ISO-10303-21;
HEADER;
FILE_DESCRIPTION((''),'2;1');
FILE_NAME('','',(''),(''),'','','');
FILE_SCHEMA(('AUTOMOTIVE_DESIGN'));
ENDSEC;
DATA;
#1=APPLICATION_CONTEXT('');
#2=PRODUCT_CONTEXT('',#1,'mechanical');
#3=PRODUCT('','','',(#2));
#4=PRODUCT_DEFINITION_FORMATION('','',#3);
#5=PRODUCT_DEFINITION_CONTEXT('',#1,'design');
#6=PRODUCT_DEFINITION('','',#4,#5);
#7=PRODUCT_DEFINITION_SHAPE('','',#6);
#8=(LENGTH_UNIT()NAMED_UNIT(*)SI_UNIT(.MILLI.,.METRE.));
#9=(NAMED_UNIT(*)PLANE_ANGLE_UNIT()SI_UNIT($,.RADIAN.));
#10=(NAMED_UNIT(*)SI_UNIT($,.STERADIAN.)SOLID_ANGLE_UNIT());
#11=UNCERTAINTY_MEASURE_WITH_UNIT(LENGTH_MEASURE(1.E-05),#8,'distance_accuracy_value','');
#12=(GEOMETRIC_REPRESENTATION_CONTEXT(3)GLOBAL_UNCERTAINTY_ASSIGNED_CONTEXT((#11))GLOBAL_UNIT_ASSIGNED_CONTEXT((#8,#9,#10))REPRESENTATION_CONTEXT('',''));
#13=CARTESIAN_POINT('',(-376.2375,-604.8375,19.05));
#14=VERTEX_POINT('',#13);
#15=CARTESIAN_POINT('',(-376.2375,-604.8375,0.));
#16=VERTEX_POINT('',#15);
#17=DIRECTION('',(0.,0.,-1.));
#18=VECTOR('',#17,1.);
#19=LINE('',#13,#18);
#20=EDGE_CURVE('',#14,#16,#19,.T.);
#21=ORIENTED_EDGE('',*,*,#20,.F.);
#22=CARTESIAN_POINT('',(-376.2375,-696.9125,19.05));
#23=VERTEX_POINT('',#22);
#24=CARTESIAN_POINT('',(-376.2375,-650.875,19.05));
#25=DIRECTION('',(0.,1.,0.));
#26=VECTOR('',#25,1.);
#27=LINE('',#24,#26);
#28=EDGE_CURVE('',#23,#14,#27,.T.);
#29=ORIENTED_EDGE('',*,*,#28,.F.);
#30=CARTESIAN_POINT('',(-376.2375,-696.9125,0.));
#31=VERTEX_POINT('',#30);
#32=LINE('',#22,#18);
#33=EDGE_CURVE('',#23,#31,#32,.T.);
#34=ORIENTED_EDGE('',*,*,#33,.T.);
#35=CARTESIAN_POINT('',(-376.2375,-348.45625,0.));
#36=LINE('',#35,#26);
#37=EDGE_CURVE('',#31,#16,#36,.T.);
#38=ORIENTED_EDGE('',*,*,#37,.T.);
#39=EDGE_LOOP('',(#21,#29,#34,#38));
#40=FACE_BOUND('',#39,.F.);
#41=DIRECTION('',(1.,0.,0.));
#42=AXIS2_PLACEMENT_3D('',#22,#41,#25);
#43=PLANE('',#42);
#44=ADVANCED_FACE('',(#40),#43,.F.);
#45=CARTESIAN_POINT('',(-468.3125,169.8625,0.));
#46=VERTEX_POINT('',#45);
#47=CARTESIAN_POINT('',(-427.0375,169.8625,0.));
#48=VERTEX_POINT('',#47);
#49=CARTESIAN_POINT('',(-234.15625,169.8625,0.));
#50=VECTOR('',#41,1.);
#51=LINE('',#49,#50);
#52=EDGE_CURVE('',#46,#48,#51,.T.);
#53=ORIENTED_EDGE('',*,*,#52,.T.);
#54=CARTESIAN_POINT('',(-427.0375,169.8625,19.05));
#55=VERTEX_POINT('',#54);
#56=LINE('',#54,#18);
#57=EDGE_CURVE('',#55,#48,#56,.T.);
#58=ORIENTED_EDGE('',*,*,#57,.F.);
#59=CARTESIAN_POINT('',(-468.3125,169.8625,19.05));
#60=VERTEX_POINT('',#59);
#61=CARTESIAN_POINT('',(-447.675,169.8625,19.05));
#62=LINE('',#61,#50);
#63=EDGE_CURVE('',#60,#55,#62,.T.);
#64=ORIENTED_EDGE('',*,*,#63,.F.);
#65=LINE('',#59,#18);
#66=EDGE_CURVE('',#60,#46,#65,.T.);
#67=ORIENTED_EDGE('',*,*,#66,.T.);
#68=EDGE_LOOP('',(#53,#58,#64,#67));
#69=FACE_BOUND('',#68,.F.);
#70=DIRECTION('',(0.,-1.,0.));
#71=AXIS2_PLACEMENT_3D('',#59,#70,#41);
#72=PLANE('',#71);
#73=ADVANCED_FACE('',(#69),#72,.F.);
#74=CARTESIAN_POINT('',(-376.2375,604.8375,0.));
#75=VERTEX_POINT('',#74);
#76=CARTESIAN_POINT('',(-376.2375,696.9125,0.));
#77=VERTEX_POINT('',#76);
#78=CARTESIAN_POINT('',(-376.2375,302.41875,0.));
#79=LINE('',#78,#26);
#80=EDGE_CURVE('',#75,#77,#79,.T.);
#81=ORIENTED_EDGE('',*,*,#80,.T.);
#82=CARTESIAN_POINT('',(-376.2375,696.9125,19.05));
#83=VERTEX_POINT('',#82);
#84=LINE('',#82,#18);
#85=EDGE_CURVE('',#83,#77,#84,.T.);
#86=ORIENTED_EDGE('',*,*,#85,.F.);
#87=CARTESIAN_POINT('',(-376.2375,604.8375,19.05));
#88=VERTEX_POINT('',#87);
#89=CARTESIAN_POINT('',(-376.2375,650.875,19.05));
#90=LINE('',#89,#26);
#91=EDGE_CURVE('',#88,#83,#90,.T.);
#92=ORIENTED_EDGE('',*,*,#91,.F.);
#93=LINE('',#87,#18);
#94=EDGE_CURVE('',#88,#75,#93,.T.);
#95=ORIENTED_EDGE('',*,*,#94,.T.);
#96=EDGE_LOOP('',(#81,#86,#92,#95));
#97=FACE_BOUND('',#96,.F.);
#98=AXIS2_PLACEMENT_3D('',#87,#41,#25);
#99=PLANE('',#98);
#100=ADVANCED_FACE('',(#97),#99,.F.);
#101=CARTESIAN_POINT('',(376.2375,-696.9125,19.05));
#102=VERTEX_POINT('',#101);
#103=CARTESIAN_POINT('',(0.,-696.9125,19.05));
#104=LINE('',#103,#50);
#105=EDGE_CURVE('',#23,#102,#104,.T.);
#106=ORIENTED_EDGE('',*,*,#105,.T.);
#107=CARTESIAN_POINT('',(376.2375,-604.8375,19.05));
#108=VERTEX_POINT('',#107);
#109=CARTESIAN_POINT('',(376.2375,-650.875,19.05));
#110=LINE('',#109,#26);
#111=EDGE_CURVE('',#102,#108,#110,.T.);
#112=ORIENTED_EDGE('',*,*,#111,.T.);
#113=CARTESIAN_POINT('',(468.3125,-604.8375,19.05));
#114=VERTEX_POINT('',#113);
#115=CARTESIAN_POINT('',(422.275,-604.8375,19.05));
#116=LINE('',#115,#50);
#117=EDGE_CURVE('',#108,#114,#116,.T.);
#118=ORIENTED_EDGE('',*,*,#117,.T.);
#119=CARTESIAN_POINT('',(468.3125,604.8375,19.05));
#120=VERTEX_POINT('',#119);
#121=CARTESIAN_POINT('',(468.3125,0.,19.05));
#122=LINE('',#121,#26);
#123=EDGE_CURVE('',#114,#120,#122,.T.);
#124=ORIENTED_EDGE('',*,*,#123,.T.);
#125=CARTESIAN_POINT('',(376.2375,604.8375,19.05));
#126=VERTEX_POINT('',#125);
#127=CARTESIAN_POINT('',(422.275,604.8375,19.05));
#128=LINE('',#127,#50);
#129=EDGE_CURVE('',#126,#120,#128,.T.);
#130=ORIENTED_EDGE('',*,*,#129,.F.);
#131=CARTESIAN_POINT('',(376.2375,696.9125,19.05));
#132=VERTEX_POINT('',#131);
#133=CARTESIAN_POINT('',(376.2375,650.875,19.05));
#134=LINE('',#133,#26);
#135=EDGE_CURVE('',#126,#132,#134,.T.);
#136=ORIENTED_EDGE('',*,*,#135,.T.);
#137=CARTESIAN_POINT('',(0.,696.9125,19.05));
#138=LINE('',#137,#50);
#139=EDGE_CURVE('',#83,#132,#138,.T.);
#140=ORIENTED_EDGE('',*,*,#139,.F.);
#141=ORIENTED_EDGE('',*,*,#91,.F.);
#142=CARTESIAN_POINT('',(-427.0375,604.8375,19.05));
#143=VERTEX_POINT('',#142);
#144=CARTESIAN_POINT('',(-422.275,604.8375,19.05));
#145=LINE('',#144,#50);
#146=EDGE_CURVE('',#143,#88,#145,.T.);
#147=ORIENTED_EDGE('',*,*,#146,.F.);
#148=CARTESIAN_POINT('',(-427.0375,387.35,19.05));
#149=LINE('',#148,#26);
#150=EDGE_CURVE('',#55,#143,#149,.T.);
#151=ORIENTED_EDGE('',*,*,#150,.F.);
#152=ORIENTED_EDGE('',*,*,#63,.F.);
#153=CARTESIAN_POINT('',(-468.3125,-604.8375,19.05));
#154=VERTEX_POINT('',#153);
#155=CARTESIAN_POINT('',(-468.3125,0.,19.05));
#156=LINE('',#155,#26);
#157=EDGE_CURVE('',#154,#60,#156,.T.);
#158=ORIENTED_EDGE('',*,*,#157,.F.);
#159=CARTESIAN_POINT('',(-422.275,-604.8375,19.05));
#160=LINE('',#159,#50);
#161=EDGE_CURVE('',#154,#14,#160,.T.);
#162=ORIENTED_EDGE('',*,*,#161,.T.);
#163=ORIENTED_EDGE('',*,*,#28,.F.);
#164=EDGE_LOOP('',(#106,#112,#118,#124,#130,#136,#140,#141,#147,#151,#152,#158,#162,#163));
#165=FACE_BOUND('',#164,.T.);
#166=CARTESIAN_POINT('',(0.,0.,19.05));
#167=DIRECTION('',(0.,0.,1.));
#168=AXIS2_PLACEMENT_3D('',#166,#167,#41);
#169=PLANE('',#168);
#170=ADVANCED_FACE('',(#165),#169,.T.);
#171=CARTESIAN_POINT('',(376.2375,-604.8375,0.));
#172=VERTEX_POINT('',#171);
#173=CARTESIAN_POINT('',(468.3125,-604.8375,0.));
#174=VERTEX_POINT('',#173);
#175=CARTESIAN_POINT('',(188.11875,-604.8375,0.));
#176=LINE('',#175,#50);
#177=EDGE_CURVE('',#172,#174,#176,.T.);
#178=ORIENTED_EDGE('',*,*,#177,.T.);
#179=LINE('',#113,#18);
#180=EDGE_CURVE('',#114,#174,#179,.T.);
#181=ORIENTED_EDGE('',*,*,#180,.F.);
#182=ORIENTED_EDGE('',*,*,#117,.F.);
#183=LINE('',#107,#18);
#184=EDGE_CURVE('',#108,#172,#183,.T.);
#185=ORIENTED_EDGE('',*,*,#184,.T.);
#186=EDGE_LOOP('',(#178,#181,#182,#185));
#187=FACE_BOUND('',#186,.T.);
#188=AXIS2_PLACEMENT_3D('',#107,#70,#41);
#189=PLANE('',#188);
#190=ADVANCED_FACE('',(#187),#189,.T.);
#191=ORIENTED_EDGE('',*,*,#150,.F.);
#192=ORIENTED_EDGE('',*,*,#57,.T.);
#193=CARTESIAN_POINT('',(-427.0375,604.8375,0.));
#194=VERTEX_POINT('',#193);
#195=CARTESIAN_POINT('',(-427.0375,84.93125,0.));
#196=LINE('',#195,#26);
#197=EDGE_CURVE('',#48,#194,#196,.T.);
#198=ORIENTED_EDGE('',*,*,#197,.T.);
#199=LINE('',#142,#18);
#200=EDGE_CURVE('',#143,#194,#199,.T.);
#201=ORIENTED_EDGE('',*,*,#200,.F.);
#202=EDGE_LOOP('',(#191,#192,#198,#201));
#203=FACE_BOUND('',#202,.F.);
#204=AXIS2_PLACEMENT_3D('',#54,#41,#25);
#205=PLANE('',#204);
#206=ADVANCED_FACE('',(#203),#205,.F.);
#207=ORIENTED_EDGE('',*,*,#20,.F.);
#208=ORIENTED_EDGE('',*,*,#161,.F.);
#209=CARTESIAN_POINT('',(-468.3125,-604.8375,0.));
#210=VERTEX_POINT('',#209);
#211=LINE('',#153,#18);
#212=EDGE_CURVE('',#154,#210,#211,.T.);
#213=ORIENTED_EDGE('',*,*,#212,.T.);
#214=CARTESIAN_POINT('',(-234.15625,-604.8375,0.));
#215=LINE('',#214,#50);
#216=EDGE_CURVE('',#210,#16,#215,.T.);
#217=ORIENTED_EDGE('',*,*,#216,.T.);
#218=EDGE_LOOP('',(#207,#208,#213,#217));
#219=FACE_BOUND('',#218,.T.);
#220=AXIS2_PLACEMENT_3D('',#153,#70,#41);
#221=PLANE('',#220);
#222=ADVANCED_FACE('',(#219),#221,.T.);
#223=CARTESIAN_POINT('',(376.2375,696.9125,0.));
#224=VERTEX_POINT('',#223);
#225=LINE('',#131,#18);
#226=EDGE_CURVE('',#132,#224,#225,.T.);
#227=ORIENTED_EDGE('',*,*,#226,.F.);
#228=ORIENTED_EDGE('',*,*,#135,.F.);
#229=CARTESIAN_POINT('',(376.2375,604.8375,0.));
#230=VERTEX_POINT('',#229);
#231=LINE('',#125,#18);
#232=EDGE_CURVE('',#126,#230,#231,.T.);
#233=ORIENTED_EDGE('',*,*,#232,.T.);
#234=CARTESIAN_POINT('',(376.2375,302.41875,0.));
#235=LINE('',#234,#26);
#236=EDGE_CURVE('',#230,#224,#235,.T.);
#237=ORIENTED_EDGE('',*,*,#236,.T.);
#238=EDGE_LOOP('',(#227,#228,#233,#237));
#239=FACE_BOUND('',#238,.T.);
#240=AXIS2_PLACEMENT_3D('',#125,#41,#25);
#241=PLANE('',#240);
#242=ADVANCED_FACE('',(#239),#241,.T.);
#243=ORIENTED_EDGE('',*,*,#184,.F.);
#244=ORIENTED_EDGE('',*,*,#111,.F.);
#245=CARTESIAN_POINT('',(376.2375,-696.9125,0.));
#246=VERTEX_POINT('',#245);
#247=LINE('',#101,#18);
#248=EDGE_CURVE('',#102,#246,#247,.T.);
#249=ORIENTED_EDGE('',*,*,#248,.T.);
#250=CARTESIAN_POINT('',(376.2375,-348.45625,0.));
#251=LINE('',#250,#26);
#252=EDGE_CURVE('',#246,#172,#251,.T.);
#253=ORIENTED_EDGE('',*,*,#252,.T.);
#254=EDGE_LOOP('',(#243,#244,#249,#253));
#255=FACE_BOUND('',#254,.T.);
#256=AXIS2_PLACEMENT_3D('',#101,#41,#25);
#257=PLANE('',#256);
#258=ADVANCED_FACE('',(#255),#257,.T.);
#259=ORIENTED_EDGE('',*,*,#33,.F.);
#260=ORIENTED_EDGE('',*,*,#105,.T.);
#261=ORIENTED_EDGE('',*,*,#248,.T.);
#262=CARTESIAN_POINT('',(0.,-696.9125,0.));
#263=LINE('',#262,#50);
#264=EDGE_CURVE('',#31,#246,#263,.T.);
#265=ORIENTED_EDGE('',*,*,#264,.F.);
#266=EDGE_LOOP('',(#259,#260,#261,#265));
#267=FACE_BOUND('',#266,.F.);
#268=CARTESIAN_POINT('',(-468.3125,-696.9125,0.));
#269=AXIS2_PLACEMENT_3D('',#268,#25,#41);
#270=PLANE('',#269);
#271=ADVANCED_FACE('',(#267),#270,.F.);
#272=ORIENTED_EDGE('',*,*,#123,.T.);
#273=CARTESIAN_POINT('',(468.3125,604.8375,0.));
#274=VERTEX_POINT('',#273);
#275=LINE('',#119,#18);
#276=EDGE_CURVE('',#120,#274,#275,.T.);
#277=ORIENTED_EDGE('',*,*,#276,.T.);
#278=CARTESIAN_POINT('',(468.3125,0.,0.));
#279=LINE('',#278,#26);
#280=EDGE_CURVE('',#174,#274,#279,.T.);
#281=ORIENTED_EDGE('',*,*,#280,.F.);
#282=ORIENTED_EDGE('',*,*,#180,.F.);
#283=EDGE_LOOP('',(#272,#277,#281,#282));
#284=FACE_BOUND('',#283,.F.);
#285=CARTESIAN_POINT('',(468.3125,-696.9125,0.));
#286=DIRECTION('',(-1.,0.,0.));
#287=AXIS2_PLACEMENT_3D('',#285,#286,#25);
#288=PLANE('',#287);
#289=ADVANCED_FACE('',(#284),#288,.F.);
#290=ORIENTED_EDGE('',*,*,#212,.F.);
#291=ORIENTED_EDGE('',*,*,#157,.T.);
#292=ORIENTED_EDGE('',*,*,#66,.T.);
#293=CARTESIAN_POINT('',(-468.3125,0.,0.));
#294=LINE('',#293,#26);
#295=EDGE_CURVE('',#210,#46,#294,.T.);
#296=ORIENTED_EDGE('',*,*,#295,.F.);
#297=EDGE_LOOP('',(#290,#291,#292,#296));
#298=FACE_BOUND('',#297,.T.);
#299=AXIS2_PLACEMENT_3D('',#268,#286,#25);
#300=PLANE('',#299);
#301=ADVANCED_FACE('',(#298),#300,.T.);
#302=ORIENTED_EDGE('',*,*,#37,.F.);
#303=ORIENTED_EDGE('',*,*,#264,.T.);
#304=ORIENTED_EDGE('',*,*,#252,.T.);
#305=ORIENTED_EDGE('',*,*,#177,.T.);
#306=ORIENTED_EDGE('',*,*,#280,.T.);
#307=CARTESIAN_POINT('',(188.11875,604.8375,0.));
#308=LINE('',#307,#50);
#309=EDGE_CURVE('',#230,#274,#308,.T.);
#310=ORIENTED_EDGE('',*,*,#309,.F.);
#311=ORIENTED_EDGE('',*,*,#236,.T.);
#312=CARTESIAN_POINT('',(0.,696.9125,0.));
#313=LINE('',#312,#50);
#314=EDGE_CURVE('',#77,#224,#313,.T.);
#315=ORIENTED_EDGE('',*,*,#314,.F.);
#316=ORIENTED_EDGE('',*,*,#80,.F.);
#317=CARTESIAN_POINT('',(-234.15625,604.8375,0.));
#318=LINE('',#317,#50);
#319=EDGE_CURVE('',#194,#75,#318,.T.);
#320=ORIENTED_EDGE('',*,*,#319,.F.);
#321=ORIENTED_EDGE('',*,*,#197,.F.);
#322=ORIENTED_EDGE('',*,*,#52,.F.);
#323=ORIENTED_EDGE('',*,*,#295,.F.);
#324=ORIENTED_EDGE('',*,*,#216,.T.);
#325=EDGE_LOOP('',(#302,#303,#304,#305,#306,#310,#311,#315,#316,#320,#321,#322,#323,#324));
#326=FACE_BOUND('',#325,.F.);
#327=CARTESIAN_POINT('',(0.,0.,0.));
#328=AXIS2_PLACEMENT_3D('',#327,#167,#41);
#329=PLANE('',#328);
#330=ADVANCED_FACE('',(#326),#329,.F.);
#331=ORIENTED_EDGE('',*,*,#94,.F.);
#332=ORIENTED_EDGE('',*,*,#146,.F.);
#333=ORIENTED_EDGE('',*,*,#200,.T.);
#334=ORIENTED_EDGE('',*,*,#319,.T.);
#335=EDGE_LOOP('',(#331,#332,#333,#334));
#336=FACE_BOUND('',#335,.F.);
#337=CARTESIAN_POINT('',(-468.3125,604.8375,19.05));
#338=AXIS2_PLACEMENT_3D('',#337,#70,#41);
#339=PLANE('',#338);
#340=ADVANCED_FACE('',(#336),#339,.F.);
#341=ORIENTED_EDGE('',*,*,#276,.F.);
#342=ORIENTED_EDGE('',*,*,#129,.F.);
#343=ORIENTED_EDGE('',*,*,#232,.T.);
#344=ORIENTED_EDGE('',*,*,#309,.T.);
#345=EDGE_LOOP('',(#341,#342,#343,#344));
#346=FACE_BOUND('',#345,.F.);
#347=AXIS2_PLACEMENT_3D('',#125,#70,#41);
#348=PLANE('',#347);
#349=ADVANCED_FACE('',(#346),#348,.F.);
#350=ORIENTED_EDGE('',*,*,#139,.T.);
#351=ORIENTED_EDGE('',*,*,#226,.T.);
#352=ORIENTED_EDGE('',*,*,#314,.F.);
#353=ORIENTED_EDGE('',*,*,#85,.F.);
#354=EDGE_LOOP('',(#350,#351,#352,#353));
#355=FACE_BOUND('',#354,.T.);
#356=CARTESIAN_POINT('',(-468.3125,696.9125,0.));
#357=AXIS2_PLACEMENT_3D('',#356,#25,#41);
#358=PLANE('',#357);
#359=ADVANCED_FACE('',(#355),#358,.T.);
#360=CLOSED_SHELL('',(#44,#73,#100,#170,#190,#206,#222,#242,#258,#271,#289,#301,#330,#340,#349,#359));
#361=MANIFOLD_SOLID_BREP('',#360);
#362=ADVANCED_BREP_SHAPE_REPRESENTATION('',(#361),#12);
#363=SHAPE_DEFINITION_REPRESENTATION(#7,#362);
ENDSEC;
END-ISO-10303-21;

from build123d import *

# Parameters (mm, degrees)
F0_W     = 936.625
F0_H     = 1393.825
F1_DEPTH = 19.05
F2_W     = 92.075
F2_H     = 92.075
F3_DEPTH = 19.051
F4_W     = 41.275
F4_H     = 434.975
F5_DEPTH = 19.051


with BuildPart() as f1:
    # F0 (on Top) → F1 (new body)
    with BuildSketch(Plane.XY):
        Rectangle(F0_W, F0_H)
    extrude(amount=F1_DEPTH)

    # F2 (on face) → F3 (cut, through all)
    with BuildSketch(Plane.XY.offset(19.05)):
        with Locations((-422.275, 650.875)):
            Rectangle(F2_W, F2_H)
        with Locations((422.275, 650.875)):
            Rectangle(F2_W, F2_H)
        with Locations((422.275, -650.875)):
            Rectangle(F2_W, F2_H)
        with Locations((-422.275, -650.875)):
            Rectangle(F2_W, F2_H)
    extrude(amount=-F3_DEPTH, mode=Mode.SUBTRACT)

    # F4 (on face) → F5 (cut, through all)
    with BuildSketch(Plane.XY.offset(19.05)):
        with Locations((-447.675, 387.35)):
            Rectangle(F4_W, F4_H)
    extrude(amount=-F5_DEPTH, mode=Mode.SUBTRACT)


solid = f1.part
